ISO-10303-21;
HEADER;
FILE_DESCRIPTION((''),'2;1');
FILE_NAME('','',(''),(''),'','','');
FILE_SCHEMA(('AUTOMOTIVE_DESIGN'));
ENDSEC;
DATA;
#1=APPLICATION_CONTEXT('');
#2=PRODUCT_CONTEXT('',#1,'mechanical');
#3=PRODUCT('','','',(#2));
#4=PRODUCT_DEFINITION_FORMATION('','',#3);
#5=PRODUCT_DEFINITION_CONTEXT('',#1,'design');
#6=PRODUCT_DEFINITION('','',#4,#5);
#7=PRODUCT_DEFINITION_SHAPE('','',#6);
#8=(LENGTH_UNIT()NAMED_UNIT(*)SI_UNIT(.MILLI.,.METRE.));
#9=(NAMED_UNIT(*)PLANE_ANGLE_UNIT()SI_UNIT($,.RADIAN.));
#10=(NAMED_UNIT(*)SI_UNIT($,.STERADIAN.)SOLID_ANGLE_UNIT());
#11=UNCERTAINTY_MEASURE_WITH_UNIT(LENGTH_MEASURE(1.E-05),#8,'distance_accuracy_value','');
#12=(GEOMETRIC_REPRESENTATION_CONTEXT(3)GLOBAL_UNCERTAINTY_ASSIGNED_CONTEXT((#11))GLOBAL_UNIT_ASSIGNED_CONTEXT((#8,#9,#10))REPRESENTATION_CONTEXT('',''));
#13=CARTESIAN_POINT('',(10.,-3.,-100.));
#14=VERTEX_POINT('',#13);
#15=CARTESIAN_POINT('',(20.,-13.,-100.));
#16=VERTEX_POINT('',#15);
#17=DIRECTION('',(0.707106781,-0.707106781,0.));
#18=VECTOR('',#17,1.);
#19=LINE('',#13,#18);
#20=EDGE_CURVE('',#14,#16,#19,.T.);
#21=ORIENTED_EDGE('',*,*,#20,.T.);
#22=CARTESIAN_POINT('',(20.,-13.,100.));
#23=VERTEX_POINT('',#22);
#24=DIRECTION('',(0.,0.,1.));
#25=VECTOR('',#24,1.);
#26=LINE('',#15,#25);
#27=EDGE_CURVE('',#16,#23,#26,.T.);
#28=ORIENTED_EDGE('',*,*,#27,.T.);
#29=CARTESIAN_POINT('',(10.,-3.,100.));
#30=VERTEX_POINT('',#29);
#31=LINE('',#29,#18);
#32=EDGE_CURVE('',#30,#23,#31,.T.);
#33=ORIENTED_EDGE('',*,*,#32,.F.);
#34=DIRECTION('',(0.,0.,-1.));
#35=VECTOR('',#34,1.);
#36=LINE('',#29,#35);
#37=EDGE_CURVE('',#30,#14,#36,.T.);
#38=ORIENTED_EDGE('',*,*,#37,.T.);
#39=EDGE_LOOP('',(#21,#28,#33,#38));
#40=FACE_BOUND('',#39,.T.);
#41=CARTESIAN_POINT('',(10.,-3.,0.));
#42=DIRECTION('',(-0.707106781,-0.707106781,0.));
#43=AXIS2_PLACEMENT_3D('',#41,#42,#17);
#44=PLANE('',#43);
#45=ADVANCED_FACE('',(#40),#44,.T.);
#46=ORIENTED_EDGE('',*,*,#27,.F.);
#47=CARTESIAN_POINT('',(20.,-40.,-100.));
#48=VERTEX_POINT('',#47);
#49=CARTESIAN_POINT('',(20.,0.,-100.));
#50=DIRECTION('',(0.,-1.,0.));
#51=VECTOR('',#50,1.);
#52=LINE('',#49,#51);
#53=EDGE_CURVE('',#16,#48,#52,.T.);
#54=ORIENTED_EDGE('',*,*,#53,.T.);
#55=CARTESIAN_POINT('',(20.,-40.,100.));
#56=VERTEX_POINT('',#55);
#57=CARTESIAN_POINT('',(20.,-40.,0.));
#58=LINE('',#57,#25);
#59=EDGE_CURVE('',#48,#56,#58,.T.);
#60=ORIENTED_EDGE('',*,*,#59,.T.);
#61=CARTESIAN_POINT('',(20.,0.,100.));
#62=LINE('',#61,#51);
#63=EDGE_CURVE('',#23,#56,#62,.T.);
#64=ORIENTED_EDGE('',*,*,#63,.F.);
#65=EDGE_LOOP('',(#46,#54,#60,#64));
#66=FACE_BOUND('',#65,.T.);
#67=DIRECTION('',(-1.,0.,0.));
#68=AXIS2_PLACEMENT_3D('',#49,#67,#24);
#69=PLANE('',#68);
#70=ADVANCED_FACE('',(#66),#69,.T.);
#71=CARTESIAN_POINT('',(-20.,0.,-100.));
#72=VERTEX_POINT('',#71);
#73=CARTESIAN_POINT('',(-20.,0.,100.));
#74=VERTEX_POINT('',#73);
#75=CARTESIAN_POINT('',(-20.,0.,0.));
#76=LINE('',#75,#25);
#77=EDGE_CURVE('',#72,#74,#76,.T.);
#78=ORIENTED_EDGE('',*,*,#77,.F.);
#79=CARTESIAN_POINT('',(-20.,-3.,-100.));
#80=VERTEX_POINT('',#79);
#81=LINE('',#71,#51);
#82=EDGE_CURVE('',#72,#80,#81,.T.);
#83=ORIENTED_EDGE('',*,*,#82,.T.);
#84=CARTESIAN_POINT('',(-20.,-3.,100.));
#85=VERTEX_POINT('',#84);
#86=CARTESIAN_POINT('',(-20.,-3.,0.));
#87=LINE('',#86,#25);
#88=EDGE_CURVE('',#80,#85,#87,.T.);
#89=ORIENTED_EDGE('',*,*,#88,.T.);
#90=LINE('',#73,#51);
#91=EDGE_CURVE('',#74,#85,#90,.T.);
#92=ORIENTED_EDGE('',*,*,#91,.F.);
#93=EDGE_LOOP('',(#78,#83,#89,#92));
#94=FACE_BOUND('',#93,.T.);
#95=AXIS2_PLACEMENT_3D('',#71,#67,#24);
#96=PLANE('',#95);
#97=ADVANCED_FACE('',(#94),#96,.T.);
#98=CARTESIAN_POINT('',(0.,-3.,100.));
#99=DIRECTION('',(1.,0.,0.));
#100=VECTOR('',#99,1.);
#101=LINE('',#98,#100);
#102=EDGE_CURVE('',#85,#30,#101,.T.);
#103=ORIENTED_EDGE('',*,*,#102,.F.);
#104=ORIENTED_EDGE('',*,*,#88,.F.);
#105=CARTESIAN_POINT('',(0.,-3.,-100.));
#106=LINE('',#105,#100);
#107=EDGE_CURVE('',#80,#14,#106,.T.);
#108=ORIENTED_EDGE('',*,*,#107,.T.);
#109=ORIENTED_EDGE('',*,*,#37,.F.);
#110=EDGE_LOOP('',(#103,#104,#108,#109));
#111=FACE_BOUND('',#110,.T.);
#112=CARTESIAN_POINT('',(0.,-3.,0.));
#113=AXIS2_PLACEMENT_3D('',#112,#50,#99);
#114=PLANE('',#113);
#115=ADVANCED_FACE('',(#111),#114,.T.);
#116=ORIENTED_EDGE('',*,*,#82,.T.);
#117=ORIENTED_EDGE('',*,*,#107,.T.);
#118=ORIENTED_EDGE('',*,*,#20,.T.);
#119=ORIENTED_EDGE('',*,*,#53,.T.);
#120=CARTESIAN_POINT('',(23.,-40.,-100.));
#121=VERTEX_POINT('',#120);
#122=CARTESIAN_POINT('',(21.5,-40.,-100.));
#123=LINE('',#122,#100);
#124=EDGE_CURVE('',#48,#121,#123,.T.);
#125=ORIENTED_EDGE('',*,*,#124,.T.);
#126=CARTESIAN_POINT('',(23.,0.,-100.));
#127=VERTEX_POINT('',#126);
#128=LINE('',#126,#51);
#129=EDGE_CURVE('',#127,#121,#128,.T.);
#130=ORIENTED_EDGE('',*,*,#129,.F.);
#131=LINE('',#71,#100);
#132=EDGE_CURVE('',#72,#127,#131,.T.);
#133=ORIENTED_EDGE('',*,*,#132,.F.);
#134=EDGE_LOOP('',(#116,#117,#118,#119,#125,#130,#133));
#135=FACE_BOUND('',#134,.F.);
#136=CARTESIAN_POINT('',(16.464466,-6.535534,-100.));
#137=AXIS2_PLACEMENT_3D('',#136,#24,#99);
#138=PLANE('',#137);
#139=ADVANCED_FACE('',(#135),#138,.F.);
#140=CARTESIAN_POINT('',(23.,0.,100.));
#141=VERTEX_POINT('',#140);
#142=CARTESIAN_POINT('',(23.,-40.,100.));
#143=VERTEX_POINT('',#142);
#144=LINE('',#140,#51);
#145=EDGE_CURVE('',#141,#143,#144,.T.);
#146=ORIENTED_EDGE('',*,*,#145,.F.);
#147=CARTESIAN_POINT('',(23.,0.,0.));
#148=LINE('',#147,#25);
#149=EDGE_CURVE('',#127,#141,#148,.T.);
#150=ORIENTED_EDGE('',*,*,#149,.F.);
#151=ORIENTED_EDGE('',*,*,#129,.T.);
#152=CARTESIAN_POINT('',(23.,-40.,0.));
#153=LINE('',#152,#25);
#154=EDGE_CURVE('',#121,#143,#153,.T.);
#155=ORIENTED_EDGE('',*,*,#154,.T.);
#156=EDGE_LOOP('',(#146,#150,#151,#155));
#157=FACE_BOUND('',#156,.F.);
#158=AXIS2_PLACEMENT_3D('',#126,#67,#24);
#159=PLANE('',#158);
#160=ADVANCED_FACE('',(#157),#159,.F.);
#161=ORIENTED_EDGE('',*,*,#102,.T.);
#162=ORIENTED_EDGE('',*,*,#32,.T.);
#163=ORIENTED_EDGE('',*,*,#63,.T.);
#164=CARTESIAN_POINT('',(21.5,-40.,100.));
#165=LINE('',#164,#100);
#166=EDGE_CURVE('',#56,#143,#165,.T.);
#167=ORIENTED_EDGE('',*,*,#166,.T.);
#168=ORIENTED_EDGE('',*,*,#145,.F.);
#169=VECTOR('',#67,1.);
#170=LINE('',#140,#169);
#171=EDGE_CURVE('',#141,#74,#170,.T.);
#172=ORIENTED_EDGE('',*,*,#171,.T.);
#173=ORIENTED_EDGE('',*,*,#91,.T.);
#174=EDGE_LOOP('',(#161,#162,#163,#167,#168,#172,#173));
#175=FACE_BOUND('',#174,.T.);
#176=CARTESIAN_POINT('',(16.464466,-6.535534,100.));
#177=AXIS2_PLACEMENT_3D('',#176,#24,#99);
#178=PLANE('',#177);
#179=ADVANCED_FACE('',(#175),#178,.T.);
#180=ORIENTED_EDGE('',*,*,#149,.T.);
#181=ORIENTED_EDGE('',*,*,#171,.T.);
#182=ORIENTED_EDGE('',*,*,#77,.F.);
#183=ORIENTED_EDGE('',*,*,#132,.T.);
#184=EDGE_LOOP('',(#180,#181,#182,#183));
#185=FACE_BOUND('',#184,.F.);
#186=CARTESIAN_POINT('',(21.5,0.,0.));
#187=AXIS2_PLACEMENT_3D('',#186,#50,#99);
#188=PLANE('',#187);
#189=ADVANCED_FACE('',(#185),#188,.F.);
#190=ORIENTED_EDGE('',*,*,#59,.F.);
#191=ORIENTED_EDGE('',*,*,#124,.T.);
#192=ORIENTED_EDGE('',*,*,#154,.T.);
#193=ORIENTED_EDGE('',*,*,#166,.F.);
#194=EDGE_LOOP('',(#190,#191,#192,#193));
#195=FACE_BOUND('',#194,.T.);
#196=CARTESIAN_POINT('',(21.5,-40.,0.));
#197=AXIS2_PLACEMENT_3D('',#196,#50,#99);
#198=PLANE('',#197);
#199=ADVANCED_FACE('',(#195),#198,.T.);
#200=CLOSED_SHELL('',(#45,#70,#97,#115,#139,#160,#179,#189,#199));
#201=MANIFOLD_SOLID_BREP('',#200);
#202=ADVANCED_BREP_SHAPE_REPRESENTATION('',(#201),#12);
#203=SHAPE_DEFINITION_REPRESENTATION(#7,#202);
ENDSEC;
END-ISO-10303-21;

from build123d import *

# Parameters (mm, degrees)
F0_W     = 40
F0_H     = 200
F1_DEPTH = 3
F2_W     = 3
F2_H     = 200
F3_DEPTH = 40
F5_DEPTH = 100


with BuildPart() as f1:
    # F0 (on Front) → F1 (new body)
    with BuildSketch(Plane.XZ):
        Rectangle(F0_W, F0_H)
    extrude(amount=F1_DEPTH)

    # F2 (on Front) → F3 (join)
    with BuildSketch(Plane.XZ):
        with Locations((21.5, 0)):
            Rectangle(F2_W, F2_H)
    extrude(amount=F3_DEPTH)

    # F4 (on Top) → F5 (join, symmetric)
    with BuildSketch(Plane.XY):
        Polygon((10, -3), (20, -13), (20, -3), align=None)
    extrude(amount=F5_DEPTH, both=True)


solid = f1.part
